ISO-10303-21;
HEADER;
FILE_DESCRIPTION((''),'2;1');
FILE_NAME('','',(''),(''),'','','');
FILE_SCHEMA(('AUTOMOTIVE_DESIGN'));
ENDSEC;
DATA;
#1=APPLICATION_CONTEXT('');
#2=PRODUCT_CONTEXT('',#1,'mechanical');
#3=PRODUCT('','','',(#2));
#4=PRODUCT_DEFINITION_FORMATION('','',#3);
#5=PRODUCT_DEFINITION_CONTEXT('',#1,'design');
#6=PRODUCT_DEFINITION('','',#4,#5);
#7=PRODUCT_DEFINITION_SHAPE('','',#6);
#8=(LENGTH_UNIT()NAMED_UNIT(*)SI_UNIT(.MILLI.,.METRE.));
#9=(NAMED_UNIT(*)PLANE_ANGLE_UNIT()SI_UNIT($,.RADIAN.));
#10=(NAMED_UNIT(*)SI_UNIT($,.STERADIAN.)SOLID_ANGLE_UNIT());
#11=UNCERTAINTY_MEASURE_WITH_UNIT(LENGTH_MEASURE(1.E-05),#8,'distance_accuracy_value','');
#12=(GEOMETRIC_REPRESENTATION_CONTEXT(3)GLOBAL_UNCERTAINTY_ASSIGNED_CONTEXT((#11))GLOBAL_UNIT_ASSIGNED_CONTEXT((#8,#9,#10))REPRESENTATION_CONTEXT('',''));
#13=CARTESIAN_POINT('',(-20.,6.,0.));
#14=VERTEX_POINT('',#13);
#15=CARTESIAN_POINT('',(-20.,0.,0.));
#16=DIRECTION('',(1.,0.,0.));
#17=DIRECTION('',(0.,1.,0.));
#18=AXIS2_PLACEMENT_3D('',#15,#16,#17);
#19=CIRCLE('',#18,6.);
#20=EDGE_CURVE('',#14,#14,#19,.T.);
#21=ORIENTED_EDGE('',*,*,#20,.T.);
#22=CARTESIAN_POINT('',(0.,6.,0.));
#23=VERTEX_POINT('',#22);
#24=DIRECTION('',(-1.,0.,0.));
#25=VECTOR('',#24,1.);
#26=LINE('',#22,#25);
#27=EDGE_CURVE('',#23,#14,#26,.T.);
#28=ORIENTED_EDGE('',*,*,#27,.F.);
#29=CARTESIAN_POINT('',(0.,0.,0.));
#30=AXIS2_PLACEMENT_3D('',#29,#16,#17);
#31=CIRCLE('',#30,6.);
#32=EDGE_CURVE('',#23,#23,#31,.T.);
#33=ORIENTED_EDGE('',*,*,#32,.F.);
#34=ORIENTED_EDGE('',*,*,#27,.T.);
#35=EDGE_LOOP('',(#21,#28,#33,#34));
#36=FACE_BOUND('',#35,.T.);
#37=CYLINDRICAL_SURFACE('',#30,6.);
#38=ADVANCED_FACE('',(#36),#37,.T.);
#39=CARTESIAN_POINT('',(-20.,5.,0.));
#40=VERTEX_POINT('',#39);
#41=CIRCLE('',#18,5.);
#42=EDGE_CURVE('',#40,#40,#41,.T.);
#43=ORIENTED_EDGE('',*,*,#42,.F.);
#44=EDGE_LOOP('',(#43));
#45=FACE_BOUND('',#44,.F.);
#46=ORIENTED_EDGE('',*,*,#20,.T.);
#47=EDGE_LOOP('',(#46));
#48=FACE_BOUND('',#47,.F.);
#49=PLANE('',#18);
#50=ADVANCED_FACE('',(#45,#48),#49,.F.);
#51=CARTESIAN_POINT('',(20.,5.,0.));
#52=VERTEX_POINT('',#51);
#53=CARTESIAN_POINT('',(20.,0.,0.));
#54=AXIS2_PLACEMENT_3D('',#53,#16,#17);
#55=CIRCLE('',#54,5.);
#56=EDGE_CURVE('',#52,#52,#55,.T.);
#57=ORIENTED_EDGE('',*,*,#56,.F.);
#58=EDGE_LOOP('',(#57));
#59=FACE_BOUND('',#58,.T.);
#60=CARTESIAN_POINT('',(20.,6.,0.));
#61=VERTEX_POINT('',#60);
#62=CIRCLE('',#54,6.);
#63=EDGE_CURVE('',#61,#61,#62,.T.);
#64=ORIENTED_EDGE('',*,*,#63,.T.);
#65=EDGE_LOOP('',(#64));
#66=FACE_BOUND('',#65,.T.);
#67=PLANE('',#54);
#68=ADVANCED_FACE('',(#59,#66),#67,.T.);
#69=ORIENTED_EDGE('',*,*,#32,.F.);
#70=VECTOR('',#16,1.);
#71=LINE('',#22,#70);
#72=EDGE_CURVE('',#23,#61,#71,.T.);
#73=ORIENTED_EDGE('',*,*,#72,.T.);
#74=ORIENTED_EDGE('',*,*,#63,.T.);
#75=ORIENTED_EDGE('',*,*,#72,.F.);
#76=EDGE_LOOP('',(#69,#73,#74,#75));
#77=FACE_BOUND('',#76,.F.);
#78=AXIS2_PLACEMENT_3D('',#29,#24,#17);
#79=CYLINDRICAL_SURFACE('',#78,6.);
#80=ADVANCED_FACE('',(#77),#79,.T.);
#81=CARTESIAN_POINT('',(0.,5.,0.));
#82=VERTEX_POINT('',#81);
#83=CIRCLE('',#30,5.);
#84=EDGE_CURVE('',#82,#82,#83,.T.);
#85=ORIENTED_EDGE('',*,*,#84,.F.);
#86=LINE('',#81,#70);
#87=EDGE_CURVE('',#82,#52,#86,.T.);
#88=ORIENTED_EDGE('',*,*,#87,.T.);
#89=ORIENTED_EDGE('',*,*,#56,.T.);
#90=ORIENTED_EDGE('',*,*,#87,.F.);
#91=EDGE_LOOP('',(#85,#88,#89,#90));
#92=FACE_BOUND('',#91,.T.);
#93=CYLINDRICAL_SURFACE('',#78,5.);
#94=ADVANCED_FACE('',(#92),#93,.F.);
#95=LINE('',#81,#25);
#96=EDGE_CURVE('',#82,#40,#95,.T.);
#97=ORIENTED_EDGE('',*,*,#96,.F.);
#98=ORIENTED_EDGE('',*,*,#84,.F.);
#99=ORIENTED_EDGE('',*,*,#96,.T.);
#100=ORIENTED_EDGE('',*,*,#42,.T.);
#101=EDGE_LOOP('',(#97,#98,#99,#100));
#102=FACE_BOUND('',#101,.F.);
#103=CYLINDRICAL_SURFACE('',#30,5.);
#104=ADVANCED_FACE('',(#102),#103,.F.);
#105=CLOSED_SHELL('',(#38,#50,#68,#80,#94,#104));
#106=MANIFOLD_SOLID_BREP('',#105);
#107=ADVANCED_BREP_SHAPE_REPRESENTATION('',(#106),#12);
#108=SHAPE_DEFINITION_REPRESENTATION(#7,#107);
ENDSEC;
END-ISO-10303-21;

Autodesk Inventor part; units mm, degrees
ref_plane "YZ Plane" through (0, 0, 0) normal (1, 0, 0) x (0, 1, 0)
ref_plane "XZ Plane" through (0, 0, 0) normal (0, 1, 0) x (-1, 0, 0)
ref_plane "XY Plane" through (0, 0, 0) normal (0, 0, 1) x (1, 0, 0)
sketch "スケッチ1" plane through (0, 0, 0) normal (1, 0, 0) x (0, 1, 0)
  circle A0 centre (0, 0) radius 6
  circle A1 centre (0, 0) radius 5
  dimension "d0" = 10
  dimension "d1" = 12
extrude "押し出し1" add sketch "スケッチ1" along normal mid plane 40
properties part number "SilliconeTube_Dribbler"
